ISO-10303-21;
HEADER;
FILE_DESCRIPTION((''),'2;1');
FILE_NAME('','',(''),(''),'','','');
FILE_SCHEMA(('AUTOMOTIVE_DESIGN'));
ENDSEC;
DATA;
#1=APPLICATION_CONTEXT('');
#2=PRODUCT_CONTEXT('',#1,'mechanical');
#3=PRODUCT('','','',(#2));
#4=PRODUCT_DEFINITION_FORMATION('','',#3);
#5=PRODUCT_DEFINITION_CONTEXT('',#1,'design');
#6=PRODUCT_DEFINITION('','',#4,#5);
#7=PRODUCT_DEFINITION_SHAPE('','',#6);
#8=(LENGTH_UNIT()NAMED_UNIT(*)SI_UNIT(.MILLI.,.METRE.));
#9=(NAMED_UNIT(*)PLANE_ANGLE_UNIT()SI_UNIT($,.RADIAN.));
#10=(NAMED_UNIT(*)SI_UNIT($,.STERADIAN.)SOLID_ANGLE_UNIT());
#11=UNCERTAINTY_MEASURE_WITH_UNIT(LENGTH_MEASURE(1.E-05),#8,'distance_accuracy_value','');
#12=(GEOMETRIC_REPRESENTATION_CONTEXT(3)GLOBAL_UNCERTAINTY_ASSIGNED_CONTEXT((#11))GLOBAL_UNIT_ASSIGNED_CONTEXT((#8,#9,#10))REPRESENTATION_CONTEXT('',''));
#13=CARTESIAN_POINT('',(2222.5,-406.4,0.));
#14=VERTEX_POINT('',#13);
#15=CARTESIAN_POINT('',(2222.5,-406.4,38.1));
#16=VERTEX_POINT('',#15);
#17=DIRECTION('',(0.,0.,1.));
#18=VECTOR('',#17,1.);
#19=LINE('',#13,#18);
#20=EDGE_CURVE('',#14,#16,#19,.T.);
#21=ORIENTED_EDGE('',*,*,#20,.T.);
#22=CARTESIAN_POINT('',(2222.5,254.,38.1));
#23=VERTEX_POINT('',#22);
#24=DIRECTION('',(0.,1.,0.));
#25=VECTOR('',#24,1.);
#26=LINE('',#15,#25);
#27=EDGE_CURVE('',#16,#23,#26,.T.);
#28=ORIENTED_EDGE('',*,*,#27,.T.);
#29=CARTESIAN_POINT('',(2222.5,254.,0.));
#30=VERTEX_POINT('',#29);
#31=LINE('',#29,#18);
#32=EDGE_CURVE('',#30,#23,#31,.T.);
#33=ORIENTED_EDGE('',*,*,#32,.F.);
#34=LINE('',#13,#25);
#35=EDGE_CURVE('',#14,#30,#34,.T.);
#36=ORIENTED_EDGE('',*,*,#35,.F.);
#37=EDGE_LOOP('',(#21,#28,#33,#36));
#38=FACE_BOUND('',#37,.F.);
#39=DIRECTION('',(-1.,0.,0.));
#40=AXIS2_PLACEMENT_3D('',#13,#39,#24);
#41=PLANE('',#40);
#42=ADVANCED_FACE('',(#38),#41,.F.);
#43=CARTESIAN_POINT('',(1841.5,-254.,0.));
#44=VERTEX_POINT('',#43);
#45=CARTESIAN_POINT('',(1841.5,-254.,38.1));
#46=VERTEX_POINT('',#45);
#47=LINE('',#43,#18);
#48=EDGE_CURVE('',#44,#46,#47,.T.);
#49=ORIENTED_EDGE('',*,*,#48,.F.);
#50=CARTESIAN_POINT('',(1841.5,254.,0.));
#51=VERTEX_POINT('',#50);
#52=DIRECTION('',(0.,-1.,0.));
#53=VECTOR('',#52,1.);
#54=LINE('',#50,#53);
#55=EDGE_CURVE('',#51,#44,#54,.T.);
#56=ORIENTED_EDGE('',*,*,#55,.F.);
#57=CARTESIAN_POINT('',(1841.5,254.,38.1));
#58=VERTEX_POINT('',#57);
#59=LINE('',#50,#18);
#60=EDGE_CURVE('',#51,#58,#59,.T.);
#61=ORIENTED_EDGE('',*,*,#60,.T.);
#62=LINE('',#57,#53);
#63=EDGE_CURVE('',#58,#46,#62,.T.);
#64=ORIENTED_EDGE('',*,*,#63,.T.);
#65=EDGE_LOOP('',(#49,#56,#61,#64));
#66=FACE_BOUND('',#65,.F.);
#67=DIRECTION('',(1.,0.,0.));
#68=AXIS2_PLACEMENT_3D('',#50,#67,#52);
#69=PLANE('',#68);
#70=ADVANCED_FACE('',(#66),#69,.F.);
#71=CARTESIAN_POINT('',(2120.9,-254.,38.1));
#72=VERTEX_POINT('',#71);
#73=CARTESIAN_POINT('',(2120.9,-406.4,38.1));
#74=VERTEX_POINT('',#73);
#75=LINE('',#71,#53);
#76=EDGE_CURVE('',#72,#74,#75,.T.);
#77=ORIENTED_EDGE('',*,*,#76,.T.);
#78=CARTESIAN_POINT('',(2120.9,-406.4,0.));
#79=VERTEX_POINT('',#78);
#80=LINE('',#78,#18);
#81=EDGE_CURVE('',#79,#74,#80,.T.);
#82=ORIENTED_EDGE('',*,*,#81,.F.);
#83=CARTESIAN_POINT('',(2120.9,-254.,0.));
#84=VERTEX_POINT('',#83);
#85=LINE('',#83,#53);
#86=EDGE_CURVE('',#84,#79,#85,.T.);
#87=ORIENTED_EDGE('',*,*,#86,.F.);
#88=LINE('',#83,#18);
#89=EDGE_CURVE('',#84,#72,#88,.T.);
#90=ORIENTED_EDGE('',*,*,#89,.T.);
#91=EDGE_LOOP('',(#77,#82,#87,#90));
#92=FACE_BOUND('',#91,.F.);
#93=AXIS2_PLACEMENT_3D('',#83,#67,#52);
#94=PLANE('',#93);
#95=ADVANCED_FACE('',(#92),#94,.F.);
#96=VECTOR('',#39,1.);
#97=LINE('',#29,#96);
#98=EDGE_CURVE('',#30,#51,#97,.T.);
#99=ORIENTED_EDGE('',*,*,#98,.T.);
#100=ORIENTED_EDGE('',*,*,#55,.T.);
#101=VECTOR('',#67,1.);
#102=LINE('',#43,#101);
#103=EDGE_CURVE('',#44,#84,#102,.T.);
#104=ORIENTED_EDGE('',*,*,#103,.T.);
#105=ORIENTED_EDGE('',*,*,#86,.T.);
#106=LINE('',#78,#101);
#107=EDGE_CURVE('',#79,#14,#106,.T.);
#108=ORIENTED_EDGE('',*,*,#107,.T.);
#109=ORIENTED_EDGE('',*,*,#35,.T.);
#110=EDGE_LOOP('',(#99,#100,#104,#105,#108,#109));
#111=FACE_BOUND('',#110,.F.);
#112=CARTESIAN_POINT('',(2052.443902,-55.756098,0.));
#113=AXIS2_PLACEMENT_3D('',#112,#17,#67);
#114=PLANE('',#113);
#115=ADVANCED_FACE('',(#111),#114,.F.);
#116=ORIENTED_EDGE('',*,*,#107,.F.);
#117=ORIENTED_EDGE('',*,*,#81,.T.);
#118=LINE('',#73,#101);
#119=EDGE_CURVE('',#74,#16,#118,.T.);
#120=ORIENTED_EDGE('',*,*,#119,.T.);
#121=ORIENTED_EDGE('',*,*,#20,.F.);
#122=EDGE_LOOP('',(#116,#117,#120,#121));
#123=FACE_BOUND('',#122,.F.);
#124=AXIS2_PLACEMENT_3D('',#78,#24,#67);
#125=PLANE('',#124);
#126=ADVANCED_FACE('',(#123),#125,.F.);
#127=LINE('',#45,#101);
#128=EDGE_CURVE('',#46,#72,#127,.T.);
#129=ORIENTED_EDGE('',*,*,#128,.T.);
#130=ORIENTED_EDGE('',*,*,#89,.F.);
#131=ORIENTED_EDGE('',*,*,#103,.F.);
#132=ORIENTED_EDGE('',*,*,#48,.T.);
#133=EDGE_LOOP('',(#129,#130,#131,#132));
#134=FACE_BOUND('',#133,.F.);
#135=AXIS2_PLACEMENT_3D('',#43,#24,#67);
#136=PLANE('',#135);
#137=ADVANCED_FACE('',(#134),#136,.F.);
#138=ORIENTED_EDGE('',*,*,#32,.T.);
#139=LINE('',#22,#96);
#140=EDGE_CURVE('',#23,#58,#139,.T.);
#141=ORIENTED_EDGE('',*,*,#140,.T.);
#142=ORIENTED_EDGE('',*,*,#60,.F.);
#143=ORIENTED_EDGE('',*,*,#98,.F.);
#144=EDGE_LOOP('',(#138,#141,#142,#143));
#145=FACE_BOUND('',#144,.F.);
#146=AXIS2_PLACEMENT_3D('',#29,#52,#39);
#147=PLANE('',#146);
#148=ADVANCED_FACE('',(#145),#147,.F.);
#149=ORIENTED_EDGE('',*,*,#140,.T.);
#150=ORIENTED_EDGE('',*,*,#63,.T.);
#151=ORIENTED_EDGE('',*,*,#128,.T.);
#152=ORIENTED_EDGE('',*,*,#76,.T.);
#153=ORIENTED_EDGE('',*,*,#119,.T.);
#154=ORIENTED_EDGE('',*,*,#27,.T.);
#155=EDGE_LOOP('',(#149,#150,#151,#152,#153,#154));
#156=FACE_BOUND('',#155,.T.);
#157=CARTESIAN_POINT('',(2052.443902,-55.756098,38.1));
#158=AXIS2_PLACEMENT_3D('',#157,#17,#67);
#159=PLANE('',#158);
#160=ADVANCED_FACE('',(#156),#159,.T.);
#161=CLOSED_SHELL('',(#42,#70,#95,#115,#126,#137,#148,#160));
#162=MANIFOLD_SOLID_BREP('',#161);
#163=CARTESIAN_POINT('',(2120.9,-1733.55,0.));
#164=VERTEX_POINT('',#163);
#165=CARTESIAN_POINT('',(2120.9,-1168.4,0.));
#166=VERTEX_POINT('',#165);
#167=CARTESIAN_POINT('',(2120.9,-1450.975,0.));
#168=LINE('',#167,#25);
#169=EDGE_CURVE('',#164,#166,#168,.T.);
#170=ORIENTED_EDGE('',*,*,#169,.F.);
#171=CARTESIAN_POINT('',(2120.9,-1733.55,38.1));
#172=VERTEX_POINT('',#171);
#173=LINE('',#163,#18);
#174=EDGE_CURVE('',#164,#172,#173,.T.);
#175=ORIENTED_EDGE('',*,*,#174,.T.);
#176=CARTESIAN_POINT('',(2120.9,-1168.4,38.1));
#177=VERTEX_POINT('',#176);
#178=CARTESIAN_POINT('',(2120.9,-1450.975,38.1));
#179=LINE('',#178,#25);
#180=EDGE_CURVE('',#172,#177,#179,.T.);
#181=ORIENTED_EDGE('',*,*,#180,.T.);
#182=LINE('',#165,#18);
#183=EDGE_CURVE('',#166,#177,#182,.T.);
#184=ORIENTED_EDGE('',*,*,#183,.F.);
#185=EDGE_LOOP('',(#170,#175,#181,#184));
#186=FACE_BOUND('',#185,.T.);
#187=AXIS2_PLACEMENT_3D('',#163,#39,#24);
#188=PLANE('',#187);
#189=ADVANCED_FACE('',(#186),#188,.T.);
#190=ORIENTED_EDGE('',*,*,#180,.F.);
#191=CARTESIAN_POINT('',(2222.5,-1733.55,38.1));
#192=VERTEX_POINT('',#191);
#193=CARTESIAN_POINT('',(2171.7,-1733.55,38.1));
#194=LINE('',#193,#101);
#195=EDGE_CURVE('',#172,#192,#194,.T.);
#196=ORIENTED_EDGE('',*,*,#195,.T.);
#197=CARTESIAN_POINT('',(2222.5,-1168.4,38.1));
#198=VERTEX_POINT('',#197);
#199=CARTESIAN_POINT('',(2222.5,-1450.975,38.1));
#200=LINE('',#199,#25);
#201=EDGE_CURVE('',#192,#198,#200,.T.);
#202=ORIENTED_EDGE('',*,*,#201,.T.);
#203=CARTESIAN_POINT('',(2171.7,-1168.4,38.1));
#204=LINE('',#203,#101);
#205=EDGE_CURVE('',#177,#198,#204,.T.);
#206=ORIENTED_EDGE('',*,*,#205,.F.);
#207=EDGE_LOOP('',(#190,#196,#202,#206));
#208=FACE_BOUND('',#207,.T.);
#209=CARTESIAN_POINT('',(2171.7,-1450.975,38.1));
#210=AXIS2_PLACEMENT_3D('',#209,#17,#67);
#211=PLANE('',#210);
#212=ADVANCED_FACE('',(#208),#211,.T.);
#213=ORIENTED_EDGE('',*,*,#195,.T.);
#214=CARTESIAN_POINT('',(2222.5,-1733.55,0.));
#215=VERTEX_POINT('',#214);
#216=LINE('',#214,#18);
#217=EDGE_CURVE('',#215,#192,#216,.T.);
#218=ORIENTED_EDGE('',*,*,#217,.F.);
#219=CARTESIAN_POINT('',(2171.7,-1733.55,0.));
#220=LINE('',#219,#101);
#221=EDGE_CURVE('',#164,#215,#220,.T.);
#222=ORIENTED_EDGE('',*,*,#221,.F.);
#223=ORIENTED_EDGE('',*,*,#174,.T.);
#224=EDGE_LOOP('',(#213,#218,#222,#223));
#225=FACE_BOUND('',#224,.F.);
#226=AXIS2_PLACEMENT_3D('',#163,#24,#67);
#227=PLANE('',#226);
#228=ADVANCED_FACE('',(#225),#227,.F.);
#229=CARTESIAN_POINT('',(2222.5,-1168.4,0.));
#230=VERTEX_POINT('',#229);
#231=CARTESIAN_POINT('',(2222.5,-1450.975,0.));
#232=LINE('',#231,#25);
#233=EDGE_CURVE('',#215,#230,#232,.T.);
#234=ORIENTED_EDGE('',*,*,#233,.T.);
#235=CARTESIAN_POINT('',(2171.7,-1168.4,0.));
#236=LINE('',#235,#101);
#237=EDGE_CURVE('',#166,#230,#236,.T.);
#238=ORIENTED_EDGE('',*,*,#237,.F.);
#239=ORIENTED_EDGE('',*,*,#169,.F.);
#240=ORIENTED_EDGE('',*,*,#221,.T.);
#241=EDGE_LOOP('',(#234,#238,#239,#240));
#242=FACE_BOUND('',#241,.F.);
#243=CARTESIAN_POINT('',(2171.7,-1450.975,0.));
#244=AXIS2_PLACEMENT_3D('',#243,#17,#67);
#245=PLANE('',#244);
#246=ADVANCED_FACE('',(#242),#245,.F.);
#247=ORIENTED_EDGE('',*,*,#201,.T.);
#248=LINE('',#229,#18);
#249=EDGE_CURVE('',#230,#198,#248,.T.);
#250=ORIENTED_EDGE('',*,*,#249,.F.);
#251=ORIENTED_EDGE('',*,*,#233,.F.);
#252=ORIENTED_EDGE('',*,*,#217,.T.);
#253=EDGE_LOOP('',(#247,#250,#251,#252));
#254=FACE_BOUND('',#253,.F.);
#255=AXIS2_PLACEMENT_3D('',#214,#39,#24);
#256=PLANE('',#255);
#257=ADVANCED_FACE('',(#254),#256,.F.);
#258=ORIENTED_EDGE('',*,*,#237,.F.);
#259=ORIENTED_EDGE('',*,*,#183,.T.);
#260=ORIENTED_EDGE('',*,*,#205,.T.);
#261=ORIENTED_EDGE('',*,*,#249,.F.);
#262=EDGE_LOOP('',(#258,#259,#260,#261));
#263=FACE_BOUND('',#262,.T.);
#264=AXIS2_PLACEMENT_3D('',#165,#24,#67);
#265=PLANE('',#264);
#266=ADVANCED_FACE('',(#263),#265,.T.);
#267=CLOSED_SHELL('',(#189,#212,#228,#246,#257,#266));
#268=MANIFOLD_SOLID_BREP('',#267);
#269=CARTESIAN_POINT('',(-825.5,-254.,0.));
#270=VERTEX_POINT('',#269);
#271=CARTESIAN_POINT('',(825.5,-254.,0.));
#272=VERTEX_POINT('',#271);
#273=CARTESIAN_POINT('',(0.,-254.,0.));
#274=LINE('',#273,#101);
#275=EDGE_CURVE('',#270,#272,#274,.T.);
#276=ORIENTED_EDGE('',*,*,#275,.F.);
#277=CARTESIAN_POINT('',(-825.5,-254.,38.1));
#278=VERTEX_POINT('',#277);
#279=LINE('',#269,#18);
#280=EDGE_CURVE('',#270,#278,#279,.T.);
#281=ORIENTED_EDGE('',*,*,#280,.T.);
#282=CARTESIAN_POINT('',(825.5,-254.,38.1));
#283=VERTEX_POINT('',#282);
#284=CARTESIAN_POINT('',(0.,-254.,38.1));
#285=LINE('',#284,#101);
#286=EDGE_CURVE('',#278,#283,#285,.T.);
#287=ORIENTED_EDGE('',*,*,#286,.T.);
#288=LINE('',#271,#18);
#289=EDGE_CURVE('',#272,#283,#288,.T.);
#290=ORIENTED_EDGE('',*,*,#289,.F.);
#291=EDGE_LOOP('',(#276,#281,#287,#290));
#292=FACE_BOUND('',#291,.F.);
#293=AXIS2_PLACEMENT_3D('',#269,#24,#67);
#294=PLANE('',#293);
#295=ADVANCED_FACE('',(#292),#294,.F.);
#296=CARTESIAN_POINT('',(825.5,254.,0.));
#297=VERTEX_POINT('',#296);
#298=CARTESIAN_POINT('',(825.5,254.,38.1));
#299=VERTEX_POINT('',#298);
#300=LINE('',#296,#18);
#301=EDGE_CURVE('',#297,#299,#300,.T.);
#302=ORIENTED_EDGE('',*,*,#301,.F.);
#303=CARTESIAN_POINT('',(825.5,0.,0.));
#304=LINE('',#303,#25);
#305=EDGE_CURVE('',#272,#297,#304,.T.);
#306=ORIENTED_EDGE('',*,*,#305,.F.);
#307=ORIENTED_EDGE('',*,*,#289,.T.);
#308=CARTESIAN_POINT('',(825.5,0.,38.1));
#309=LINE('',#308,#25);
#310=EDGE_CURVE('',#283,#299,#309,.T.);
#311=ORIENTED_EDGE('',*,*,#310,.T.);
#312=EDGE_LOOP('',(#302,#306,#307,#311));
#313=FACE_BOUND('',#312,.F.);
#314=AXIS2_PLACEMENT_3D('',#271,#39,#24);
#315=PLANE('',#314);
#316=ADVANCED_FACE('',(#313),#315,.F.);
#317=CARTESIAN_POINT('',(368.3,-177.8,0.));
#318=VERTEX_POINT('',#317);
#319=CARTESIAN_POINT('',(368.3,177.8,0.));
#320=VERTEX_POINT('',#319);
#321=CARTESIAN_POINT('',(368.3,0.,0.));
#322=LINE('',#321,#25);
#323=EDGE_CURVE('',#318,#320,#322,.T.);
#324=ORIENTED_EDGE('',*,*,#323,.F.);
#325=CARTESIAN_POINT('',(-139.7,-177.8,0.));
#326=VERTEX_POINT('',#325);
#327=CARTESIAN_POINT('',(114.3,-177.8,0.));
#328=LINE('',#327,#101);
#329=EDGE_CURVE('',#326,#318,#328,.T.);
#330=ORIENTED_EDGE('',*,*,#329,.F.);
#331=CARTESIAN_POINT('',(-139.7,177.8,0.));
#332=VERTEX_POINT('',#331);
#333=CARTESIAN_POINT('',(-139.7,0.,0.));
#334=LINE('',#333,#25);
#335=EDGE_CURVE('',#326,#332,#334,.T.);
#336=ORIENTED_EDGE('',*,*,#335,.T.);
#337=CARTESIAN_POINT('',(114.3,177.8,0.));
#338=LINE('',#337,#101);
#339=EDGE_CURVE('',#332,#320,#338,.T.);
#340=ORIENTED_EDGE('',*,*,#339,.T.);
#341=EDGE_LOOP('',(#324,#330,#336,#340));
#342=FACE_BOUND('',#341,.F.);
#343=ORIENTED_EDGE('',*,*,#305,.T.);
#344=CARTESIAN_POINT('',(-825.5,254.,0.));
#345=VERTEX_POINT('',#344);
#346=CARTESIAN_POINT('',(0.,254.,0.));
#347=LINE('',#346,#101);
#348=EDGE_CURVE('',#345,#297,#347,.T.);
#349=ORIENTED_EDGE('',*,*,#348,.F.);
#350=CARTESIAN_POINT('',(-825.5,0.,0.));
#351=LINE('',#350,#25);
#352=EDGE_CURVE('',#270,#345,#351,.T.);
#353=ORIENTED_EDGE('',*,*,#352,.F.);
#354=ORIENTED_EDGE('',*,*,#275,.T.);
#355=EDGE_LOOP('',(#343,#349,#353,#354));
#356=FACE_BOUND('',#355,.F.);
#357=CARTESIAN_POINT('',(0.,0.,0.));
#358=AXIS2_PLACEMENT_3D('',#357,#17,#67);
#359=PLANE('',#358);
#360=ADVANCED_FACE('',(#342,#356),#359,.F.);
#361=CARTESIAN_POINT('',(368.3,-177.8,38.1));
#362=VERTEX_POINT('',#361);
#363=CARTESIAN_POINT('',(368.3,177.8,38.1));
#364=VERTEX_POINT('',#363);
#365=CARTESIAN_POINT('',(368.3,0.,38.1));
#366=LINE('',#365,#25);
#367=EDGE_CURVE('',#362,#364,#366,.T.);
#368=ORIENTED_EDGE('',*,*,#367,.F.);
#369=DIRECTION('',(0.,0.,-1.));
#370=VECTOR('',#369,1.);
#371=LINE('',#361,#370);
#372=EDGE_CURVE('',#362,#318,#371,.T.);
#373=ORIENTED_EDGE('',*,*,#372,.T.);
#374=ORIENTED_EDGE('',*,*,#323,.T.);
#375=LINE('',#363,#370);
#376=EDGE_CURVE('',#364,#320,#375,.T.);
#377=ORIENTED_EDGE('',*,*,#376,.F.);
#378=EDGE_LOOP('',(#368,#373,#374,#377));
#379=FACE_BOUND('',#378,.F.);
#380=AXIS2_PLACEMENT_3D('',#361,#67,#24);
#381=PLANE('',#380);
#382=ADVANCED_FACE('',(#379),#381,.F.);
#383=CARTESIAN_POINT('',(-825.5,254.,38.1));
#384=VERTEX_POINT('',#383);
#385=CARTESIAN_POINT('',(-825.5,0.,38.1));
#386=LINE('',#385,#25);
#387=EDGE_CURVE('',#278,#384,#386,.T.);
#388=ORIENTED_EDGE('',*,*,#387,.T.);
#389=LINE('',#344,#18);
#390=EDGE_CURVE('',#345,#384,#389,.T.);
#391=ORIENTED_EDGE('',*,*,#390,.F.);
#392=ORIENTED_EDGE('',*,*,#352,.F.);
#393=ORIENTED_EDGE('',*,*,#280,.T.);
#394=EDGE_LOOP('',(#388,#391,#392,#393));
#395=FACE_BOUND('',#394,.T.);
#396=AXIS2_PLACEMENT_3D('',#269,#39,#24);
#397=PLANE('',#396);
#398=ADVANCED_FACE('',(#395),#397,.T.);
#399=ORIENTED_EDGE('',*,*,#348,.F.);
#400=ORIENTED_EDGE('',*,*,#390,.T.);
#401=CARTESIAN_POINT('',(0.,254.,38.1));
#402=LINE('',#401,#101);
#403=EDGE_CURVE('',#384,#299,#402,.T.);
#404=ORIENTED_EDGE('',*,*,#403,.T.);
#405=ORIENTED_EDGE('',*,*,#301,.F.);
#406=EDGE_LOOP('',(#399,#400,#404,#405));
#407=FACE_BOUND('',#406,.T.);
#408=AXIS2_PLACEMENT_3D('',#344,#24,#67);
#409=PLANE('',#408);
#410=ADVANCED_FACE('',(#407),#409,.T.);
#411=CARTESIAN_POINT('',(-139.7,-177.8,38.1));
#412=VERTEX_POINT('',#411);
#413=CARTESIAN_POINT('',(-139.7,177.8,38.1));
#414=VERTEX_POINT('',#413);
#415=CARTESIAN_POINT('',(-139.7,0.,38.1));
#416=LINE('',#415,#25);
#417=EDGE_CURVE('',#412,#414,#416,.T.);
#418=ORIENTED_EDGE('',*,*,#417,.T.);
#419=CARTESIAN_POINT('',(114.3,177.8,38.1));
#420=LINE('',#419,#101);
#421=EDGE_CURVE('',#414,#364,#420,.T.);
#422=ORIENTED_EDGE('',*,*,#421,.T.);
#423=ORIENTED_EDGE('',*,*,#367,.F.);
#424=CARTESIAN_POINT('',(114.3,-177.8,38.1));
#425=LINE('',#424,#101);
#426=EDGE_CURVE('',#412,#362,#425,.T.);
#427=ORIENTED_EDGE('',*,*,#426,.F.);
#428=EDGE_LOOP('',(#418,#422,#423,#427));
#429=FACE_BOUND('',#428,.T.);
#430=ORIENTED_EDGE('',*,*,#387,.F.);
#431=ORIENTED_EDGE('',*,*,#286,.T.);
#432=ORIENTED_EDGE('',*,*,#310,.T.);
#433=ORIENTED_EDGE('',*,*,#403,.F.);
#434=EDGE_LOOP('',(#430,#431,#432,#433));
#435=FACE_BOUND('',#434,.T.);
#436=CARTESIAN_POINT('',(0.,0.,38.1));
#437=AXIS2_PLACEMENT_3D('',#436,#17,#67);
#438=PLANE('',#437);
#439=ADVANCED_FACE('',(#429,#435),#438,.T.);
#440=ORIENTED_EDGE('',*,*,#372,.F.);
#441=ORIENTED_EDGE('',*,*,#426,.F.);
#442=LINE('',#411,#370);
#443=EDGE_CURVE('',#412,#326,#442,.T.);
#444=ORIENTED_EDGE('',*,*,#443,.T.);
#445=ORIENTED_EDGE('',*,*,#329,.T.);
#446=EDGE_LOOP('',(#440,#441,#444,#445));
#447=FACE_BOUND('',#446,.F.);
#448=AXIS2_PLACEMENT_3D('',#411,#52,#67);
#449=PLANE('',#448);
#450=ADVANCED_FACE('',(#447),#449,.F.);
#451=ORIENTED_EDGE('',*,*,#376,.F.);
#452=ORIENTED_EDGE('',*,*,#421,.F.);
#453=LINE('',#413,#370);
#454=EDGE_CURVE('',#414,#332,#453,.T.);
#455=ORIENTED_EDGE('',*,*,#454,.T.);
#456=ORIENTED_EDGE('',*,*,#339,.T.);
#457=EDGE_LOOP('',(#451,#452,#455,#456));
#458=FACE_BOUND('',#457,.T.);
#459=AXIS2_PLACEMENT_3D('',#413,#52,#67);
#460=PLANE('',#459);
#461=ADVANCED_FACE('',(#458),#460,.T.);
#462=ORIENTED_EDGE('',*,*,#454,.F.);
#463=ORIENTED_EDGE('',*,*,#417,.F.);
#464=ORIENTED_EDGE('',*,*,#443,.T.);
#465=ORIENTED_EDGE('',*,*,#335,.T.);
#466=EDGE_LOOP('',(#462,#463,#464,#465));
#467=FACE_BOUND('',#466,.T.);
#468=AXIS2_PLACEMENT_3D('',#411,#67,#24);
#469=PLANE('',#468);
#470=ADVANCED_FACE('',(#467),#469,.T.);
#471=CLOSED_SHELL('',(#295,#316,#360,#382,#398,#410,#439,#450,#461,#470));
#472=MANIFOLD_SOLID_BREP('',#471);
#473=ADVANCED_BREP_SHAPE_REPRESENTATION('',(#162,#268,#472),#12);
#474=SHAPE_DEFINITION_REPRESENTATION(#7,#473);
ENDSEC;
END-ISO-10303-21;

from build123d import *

# Parameters (mm, degrees)
F0_W     = 1651
F0_H     = 508
F0_W_2   = 101.6
F0_H_2   = 565.15
F1_DEPTH = 38.1
F2_W     = 508
F2_H     = 355.6
F3_DEPTH = 38.1


with BuildPart() as f1:
    # F0 (on Top) → F1 (new body)
    with BuildSketch(Plane.XY):
        Rectangle(F0_W, F0_H)
        Polygon((2222.5, 254), (1841.5, 254), (1841.5, -254), (2120.9, -254), (2120.9, -406.4), (2222.5, -406.4), align=None)
        with Locations((2171.7, -1450.975)):
            Rectangle(F0_W_2, F0_H_2)
    extrude(amount=F1_DEPTH)

    # F2 (on face) → F3 (cut)
    with BuildSketch(Plane.XY.offset(38.1)):
        with Locations((114.3, 0)):
            Rectangle(F2_W, F2_H)
    extrude(amount=-F3_DEPTH, mode=Mode.SUBTRACT)


solid = f1.part
